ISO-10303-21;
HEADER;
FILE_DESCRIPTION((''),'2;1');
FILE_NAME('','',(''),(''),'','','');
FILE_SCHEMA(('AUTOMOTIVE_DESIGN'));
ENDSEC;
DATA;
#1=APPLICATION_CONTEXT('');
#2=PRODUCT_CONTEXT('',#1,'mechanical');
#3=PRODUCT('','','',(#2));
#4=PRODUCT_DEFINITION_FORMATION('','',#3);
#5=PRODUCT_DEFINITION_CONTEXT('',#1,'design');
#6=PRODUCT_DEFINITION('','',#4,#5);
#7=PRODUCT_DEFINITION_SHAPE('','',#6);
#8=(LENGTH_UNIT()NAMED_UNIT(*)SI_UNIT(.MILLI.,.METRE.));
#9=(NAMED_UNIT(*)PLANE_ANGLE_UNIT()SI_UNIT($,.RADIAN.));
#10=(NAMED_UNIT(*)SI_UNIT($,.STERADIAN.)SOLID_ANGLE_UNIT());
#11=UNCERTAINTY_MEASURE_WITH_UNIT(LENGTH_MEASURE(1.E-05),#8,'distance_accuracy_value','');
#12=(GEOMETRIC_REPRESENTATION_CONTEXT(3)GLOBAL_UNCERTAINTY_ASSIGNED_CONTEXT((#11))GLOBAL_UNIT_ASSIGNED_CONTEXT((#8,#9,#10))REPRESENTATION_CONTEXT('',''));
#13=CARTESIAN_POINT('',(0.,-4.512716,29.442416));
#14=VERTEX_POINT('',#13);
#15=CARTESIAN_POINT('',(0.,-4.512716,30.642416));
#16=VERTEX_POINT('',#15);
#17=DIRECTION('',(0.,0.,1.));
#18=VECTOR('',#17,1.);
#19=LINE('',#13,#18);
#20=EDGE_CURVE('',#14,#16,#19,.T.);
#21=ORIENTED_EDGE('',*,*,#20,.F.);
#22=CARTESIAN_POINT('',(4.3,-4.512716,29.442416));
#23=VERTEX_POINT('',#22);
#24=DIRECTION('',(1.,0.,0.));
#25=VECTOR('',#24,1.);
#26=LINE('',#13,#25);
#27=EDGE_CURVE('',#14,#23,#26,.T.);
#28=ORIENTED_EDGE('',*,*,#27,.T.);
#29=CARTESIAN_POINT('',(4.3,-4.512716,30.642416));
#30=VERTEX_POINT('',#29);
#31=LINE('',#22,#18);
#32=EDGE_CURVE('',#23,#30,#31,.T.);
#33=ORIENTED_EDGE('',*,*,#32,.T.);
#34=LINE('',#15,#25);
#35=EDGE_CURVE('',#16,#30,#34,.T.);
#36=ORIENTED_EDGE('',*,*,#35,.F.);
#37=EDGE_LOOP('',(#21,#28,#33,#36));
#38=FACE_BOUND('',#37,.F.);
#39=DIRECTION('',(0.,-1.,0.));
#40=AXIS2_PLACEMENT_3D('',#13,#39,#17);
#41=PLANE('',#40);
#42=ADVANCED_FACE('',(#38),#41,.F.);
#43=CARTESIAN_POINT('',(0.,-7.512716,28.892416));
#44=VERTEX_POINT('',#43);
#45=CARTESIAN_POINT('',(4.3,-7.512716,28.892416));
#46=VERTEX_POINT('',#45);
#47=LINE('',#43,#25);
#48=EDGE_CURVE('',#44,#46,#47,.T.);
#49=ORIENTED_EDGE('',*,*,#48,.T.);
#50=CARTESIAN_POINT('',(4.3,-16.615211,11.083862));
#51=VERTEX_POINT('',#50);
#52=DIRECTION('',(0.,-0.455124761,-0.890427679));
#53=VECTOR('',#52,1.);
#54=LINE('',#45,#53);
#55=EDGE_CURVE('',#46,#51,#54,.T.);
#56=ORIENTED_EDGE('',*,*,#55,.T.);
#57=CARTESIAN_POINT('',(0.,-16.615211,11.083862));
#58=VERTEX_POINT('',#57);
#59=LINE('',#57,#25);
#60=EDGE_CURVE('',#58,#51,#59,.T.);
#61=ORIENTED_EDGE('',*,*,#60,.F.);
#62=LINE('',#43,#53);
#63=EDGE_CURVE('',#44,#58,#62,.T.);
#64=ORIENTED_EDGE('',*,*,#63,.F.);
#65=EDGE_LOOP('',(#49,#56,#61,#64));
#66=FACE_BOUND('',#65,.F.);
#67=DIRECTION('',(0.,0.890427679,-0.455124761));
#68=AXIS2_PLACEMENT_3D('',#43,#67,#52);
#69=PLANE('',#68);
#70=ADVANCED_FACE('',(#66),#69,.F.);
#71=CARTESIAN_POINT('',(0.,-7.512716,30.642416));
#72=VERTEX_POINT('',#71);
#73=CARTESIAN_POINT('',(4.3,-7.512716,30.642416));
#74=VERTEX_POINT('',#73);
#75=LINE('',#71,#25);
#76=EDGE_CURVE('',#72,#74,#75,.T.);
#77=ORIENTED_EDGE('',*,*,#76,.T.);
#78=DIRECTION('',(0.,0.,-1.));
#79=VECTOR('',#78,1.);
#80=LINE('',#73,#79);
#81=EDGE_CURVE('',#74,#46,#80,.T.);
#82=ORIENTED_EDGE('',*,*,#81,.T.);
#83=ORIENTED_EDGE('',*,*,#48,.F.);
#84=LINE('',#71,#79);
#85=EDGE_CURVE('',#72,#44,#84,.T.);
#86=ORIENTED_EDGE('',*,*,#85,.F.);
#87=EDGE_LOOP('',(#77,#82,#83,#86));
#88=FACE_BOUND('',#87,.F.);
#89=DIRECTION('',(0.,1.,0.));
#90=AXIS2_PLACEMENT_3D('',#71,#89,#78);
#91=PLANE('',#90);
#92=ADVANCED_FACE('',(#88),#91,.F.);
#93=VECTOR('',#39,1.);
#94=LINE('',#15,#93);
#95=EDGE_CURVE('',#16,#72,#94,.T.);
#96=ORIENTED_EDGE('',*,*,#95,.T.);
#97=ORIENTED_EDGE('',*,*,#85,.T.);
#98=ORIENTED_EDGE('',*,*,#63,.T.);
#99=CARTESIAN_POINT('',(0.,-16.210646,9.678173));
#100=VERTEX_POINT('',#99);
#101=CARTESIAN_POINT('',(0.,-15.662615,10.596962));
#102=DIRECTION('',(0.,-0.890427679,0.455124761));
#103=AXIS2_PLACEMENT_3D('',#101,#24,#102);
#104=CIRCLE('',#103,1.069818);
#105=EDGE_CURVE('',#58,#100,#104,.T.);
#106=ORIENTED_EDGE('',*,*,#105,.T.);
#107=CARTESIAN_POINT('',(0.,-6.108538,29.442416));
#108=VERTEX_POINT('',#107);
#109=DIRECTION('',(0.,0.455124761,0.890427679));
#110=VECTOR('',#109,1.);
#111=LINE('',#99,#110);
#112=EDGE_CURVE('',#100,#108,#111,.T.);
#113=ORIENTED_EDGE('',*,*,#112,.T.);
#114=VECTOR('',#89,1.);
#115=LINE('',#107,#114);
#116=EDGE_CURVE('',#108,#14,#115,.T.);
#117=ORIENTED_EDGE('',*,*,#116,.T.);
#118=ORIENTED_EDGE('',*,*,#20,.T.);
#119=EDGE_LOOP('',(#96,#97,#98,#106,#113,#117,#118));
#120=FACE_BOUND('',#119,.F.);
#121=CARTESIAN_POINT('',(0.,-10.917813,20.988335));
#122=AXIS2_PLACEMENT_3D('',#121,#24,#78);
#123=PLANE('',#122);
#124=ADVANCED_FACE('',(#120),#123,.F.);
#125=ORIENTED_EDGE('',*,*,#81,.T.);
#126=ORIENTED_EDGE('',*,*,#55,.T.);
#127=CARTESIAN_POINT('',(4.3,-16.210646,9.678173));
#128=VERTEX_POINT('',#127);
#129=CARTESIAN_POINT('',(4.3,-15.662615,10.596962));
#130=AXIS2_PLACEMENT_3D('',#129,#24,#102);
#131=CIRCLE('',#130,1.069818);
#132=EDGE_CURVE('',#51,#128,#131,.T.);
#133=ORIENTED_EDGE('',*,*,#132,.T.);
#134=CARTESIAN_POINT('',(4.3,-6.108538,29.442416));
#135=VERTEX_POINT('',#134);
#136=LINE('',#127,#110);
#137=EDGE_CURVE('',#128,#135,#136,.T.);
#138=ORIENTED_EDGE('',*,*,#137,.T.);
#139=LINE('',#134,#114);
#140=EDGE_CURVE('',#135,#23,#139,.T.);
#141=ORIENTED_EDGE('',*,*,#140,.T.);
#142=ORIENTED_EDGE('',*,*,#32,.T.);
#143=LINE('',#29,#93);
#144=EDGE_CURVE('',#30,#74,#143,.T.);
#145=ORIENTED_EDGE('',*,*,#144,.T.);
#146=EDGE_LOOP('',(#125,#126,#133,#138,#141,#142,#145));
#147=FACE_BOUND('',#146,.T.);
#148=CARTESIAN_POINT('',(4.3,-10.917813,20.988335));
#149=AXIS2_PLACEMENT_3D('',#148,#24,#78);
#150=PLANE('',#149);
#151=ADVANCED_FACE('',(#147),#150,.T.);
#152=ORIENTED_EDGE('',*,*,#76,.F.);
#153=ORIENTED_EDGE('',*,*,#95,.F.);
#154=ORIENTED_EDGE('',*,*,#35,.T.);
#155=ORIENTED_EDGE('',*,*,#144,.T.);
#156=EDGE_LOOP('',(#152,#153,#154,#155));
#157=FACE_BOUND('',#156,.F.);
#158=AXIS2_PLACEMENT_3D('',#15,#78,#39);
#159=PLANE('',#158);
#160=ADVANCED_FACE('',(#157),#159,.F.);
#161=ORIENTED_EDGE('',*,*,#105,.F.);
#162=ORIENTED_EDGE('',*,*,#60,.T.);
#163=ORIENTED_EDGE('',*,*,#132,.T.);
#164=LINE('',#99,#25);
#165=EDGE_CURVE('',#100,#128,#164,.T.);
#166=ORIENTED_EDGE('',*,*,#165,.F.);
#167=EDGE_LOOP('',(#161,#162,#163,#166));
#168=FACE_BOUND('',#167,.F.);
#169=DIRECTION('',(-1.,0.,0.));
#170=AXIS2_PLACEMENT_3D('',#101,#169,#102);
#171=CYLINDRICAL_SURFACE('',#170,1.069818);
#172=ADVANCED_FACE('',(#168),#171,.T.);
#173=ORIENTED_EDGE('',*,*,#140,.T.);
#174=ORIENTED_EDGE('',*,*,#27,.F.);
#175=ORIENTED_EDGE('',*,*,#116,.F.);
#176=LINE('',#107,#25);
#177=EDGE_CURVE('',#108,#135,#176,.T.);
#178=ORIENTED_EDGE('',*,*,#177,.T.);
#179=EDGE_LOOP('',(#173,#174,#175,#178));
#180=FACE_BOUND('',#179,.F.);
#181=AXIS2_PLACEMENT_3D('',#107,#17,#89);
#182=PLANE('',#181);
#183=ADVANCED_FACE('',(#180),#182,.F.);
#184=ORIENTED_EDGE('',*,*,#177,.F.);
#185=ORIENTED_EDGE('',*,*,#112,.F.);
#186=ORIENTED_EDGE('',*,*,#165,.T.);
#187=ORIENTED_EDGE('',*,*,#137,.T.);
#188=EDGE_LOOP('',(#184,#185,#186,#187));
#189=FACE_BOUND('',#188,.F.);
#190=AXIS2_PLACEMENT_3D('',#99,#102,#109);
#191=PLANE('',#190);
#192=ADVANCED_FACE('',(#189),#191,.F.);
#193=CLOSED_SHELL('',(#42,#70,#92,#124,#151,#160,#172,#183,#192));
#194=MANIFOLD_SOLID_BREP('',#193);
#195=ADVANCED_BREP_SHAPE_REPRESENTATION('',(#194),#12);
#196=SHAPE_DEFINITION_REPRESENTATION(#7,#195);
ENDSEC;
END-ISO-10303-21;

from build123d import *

# Parameters (mm, degrees)
BOSS_EXTRUDE1_DEPTH = 4.3


with BuildPart() as part:
    # Sketch1 → Boss-Extrude1 (new body)
    with BuildSketch(Plane(origin=(0, 0, 0), x_dir=(0, 0, -1), z_dir=(1, 0, 0))):
        with BuildLine():
            ThreePointArc((-11.083862383, -16.615210797), (-10.301073063, -16.690701101), (-9.678172689, -16.210645864))
            Line((-9.678172689, -16.210645864), (-29.442415971, -6.108537965))
            Line((-29.442415971, -6.108537965), (-29.442415971, -4.512715584))
            Line((-29.442415971, -4.512715584), (-30.642415971, -4.512715584))
            Line((-30.642415971, -4.512715584), (-30.642415971, -7.512715584))
            Line((-30.642415971, -7.512715584), (-28.892415971, -7.512715584))
            Line((-28.892415971, -7.512715584), (-11.083862383, -16.615210797))
        make_face()
    extrude(amount=BOSS_EXTRUDE1_DEPTH)


solid = part.part
